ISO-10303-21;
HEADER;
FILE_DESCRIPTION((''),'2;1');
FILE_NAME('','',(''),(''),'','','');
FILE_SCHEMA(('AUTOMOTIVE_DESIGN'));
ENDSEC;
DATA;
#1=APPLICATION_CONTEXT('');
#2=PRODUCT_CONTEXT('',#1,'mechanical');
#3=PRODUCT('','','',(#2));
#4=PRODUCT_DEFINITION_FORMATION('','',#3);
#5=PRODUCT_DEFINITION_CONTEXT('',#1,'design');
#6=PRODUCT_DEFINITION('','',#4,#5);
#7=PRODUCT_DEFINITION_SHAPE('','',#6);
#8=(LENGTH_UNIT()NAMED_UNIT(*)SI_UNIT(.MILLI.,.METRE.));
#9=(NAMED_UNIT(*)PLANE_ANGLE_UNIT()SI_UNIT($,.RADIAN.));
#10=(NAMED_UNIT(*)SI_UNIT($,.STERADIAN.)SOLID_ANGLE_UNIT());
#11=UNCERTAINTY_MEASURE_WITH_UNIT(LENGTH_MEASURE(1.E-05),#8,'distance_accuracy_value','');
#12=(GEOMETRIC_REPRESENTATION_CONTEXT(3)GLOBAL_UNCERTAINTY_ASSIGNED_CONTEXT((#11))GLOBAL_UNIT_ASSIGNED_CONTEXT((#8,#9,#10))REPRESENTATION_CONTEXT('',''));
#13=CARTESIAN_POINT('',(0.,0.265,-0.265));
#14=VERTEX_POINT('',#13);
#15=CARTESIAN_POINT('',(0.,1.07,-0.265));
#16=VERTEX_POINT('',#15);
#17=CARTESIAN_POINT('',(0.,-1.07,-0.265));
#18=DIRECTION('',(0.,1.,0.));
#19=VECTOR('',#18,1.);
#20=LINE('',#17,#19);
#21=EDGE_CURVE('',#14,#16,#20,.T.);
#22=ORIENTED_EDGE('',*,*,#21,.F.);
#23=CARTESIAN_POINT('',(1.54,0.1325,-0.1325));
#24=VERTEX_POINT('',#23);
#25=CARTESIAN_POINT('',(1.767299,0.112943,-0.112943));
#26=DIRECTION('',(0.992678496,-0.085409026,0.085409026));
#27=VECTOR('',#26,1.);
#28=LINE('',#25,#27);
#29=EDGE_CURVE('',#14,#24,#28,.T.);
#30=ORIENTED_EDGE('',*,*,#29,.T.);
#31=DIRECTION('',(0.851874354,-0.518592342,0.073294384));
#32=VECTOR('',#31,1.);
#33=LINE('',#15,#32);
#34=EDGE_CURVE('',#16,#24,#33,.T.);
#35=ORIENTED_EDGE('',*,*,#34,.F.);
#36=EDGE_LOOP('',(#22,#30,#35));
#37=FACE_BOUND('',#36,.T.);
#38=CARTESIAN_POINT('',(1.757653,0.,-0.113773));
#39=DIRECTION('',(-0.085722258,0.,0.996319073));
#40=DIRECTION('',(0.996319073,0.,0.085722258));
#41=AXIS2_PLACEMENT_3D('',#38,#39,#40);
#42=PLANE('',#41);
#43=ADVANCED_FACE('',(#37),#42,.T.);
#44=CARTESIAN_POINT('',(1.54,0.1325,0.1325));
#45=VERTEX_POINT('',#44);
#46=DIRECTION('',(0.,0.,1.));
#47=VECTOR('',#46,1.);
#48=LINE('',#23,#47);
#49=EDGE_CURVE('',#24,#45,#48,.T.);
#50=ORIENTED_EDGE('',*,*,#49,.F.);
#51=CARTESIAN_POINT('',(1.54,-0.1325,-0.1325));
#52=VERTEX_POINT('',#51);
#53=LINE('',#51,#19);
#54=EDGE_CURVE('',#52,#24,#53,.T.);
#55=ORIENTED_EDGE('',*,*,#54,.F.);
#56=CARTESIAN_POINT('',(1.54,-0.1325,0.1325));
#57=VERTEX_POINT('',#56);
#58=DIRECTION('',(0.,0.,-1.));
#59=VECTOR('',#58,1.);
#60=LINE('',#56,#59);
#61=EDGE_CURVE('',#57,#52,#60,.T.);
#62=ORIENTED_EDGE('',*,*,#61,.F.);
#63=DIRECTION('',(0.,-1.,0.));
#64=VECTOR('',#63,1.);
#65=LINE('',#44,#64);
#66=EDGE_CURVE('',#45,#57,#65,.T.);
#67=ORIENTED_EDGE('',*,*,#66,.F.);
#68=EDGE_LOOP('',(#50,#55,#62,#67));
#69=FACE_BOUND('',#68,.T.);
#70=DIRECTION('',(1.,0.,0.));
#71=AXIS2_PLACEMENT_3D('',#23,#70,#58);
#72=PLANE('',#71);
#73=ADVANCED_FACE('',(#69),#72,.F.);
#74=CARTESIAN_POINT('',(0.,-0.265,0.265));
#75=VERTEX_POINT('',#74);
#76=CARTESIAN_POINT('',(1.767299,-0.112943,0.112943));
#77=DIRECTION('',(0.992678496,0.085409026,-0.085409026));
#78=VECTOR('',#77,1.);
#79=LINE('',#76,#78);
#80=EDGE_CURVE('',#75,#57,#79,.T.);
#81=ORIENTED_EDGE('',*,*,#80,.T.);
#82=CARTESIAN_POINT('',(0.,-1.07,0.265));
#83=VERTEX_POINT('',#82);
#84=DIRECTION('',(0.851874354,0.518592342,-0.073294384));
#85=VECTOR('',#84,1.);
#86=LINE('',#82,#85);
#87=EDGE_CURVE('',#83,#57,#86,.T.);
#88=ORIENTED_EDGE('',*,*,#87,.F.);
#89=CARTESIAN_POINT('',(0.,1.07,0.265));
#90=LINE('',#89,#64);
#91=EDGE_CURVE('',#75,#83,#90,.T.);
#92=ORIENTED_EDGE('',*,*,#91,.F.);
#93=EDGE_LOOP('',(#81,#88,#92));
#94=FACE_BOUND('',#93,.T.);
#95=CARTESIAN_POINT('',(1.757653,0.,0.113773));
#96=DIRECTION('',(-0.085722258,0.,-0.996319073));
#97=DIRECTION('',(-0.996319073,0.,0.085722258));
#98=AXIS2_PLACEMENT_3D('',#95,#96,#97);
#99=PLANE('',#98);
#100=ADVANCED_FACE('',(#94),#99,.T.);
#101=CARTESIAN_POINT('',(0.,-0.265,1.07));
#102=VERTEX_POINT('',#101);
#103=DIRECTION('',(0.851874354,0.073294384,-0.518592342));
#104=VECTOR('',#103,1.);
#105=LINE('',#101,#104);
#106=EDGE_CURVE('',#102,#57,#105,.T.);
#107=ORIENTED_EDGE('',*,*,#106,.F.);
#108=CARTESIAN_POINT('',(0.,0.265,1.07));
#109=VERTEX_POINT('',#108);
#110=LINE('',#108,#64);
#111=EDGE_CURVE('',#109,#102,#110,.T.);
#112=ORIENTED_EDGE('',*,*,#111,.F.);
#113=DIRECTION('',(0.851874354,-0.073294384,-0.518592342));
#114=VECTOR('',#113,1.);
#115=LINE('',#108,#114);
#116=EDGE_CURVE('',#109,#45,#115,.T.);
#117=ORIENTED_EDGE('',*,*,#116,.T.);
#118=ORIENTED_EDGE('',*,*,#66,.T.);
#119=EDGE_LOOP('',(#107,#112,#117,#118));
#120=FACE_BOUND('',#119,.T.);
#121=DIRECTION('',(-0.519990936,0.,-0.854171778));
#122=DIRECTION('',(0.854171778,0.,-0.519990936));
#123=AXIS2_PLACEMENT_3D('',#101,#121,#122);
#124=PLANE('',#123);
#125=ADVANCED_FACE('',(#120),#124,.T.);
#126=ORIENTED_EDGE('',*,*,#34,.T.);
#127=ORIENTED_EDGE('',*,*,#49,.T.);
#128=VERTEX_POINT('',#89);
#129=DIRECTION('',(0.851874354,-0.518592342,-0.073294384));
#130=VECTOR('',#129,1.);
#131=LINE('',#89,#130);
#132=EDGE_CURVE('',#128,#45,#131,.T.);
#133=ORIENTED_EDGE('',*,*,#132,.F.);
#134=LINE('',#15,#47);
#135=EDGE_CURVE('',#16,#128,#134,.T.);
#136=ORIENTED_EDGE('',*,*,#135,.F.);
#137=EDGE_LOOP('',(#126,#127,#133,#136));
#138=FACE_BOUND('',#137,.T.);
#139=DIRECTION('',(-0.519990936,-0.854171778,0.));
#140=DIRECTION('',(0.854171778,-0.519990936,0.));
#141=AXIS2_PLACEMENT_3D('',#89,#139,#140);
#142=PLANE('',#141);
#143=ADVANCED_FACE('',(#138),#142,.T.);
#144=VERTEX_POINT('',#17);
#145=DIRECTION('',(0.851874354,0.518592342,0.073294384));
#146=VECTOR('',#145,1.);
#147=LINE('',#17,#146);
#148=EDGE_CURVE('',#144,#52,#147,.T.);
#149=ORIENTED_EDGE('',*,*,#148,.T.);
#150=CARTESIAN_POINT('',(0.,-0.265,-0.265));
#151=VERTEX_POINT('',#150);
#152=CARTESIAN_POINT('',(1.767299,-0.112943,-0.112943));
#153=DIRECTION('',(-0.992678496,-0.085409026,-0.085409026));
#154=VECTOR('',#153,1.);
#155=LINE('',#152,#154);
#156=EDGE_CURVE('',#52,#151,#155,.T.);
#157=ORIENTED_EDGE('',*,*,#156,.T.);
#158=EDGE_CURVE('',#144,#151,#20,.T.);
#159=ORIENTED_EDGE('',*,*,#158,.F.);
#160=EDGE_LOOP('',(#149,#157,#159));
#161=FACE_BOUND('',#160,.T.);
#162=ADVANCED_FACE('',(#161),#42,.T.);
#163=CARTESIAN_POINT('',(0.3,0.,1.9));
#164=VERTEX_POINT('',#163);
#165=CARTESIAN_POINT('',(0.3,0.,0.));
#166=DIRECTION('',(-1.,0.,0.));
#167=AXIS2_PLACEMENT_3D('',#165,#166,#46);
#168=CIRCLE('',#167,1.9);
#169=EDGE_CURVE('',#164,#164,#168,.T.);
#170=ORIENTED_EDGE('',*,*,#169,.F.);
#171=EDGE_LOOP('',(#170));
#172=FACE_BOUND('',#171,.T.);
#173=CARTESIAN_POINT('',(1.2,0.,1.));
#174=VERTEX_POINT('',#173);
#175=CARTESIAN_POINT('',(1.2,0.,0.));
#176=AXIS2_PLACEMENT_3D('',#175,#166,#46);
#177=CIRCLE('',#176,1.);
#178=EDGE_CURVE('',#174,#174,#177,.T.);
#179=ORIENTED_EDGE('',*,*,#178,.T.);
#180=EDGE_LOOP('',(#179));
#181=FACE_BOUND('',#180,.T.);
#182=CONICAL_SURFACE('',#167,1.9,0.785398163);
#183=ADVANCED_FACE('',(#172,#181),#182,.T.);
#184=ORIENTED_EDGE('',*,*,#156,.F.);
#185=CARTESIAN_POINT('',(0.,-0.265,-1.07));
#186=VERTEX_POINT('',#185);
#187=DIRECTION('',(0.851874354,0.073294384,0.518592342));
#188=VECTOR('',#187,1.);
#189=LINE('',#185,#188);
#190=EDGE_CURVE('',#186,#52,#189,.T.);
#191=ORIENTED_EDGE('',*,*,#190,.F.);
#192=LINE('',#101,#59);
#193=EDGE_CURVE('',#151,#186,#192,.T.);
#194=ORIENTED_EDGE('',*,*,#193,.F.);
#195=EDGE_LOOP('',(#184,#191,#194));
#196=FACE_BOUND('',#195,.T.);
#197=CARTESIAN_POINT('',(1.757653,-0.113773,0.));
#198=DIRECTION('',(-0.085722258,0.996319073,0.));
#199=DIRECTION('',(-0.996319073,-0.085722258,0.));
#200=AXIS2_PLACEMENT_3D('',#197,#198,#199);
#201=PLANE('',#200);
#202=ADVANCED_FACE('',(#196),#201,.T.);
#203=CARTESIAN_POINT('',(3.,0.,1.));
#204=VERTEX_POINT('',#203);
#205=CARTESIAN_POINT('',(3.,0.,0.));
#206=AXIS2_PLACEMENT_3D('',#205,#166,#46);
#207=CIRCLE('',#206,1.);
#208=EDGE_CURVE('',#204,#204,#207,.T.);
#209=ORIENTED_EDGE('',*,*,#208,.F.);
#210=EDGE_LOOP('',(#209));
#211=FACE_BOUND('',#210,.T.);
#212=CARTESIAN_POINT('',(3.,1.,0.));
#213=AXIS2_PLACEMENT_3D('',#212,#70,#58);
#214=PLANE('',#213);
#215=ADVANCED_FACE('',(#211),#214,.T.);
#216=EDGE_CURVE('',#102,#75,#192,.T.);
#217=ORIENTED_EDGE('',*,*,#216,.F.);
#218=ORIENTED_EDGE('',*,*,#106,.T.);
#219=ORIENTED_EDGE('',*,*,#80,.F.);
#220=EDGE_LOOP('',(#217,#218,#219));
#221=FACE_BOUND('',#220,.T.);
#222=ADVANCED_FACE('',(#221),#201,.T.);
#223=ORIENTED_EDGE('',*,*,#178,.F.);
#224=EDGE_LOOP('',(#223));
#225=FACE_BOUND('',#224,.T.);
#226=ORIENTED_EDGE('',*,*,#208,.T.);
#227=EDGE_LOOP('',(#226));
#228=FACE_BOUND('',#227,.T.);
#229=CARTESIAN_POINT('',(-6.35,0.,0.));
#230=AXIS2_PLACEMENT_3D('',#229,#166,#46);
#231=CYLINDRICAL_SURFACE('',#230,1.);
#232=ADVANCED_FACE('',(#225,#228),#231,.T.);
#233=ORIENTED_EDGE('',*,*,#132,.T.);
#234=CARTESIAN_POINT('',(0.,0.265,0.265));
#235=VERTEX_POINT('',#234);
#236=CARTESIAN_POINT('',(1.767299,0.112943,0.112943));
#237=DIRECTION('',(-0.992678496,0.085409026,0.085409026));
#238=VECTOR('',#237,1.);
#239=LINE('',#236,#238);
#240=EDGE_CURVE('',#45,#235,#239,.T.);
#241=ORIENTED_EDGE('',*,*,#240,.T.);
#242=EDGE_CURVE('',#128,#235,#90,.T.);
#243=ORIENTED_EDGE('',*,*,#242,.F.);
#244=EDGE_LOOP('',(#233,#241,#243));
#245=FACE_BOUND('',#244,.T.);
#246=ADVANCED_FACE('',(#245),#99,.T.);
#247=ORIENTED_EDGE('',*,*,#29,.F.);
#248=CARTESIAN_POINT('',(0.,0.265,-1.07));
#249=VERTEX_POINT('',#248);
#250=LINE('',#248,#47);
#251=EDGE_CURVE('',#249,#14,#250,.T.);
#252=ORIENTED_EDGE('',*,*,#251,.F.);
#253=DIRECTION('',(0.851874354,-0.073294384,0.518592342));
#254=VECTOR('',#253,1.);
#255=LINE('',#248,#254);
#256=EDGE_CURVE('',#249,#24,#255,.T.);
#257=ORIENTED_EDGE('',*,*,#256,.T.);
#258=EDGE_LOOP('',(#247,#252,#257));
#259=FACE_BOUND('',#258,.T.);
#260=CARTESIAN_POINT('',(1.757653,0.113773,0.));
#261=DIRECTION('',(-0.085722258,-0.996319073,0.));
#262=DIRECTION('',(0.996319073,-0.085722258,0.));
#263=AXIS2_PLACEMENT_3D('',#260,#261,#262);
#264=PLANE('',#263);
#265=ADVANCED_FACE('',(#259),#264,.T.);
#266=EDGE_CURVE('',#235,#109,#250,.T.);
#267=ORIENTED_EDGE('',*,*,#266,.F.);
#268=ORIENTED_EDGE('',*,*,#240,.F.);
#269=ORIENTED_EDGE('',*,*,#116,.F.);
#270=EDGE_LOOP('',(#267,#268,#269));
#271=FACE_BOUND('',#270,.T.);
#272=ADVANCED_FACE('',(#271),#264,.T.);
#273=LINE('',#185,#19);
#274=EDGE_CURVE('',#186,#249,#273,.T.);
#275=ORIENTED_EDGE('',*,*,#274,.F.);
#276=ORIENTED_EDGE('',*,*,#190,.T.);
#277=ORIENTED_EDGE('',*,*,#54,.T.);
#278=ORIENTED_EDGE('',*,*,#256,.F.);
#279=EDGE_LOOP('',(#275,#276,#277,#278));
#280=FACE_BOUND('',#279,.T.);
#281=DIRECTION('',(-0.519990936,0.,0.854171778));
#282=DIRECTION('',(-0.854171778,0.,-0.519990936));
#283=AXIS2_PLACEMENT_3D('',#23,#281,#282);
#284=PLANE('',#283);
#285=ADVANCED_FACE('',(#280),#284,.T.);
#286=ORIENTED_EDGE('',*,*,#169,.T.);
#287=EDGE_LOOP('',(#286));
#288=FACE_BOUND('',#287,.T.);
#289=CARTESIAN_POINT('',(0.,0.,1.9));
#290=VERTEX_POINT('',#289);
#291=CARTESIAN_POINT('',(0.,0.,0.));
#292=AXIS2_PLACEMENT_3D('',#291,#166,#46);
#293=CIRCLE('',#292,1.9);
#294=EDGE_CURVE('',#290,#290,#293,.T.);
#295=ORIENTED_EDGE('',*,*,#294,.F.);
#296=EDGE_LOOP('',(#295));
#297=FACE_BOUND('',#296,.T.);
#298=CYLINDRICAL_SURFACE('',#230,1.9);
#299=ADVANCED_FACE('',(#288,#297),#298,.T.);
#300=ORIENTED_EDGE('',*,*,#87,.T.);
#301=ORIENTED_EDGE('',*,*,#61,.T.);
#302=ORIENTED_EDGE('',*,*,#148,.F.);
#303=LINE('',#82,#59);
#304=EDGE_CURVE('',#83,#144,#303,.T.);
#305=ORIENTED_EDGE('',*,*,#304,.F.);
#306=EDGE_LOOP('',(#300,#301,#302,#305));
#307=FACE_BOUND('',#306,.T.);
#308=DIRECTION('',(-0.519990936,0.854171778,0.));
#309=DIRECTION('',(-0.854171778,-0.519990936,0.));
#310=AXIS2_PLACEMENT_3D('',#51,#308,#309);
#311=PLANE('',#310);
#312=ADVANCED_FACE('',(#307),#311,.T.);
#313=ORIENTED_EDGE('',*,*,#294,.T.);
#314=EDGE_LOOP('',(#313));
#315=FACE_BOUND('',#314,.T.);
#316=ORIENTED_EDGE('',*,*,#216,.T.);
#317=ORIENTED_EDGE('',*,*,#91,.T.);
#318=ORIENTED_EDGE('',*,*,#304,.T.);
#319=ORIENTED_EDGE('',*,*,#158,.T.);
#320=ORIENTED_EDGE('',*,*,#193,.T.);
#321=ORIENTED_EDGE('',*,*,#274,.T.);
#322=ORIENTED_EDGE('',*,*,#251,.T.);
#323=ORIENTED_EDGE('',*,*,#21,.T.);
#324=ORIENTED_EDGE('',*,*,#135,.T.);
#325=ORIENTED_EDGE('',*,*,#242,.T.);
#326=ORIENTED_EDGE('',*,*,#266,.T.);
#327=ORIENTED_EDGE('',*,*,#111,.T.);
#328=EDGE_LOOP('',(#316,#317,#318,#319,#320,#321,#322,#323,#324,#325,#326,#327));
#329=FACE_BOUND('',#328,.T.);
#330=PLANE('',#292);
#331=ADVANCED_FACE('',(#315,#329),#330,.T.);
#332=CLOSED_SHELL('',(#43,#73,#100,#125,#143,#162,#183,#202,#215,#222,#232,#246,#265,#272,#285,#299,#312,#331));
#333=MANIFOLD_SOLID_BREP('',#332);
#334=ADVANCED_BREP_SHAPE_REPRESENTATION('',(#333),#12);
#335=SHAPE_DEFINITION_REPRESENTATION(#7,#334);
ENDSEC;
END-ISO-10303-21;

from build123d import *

# Parameters (mm, degrees)
CIRPATTERN1_COUNT = 2
CIRPATTERN1_ANGLE = 90


with BuildPart() as part:
    # BodySke → Base-Revolve (revolve)
    with BuildSketch(Plane.XY, mode=Mode.PRIVATE) as base_revolve_sk:
        Polygon((0, 0), (0, 1.9), (0.3, 1.9), (1.2, 1), (3, 1), (3, 0), align=None)
    revolve(base_revolve_sk.sketch.rotate(Axis((-6.35, 0, 0), (1, 0, 0)), 90), axis=Axis((-6.35, 0, 0), (1, 0, 0)))

    # Sketch3 → Cross section 0
    with BuildSketch(Plane.ZY):
        with BuildLine():
            Line((-0.265, 1.07), (0.265, 1.07))
            Line((0.265, 1.07), (0.265, -1.07))
            Line((0.265, -1.07), (-0.265, -1.07))
            Line((-0.265, -1.07), (-0.265, 1.07))
        make_face()
    # Sketch4 → Cross section 1
    with BuildSketch(Plane.ZY.offset(-1.54)):
        with BuildLine():
            Line((-0.1325, 0.1325), (0.1325, 0.1325))
            Line((0.1325, 0.1325), (0.1325, -0.1325))
            Line((0.1325, -0.1325), (-0.1325, -0.1325))
            Line((-0.1325, -0.1325), (-0.1325, 0.1325))
        make_face()
    cross = loft(mode=Mode.SUBTRACT)

    # CirPattern1: Cross ×2 about axis
    cirpattern1_axis = Axis((0, 0, 0), (1, 0, 0))
    for i in range(1, CIRPATTERN1_COUNT):
        add(cross.rotate(cirpattern1_axis, i * CIRPATTERN1_ANGLE / (CIRPATTERN1_COUNT - 1)), mode=Mode.SUBTRACT)


solid = part.part
